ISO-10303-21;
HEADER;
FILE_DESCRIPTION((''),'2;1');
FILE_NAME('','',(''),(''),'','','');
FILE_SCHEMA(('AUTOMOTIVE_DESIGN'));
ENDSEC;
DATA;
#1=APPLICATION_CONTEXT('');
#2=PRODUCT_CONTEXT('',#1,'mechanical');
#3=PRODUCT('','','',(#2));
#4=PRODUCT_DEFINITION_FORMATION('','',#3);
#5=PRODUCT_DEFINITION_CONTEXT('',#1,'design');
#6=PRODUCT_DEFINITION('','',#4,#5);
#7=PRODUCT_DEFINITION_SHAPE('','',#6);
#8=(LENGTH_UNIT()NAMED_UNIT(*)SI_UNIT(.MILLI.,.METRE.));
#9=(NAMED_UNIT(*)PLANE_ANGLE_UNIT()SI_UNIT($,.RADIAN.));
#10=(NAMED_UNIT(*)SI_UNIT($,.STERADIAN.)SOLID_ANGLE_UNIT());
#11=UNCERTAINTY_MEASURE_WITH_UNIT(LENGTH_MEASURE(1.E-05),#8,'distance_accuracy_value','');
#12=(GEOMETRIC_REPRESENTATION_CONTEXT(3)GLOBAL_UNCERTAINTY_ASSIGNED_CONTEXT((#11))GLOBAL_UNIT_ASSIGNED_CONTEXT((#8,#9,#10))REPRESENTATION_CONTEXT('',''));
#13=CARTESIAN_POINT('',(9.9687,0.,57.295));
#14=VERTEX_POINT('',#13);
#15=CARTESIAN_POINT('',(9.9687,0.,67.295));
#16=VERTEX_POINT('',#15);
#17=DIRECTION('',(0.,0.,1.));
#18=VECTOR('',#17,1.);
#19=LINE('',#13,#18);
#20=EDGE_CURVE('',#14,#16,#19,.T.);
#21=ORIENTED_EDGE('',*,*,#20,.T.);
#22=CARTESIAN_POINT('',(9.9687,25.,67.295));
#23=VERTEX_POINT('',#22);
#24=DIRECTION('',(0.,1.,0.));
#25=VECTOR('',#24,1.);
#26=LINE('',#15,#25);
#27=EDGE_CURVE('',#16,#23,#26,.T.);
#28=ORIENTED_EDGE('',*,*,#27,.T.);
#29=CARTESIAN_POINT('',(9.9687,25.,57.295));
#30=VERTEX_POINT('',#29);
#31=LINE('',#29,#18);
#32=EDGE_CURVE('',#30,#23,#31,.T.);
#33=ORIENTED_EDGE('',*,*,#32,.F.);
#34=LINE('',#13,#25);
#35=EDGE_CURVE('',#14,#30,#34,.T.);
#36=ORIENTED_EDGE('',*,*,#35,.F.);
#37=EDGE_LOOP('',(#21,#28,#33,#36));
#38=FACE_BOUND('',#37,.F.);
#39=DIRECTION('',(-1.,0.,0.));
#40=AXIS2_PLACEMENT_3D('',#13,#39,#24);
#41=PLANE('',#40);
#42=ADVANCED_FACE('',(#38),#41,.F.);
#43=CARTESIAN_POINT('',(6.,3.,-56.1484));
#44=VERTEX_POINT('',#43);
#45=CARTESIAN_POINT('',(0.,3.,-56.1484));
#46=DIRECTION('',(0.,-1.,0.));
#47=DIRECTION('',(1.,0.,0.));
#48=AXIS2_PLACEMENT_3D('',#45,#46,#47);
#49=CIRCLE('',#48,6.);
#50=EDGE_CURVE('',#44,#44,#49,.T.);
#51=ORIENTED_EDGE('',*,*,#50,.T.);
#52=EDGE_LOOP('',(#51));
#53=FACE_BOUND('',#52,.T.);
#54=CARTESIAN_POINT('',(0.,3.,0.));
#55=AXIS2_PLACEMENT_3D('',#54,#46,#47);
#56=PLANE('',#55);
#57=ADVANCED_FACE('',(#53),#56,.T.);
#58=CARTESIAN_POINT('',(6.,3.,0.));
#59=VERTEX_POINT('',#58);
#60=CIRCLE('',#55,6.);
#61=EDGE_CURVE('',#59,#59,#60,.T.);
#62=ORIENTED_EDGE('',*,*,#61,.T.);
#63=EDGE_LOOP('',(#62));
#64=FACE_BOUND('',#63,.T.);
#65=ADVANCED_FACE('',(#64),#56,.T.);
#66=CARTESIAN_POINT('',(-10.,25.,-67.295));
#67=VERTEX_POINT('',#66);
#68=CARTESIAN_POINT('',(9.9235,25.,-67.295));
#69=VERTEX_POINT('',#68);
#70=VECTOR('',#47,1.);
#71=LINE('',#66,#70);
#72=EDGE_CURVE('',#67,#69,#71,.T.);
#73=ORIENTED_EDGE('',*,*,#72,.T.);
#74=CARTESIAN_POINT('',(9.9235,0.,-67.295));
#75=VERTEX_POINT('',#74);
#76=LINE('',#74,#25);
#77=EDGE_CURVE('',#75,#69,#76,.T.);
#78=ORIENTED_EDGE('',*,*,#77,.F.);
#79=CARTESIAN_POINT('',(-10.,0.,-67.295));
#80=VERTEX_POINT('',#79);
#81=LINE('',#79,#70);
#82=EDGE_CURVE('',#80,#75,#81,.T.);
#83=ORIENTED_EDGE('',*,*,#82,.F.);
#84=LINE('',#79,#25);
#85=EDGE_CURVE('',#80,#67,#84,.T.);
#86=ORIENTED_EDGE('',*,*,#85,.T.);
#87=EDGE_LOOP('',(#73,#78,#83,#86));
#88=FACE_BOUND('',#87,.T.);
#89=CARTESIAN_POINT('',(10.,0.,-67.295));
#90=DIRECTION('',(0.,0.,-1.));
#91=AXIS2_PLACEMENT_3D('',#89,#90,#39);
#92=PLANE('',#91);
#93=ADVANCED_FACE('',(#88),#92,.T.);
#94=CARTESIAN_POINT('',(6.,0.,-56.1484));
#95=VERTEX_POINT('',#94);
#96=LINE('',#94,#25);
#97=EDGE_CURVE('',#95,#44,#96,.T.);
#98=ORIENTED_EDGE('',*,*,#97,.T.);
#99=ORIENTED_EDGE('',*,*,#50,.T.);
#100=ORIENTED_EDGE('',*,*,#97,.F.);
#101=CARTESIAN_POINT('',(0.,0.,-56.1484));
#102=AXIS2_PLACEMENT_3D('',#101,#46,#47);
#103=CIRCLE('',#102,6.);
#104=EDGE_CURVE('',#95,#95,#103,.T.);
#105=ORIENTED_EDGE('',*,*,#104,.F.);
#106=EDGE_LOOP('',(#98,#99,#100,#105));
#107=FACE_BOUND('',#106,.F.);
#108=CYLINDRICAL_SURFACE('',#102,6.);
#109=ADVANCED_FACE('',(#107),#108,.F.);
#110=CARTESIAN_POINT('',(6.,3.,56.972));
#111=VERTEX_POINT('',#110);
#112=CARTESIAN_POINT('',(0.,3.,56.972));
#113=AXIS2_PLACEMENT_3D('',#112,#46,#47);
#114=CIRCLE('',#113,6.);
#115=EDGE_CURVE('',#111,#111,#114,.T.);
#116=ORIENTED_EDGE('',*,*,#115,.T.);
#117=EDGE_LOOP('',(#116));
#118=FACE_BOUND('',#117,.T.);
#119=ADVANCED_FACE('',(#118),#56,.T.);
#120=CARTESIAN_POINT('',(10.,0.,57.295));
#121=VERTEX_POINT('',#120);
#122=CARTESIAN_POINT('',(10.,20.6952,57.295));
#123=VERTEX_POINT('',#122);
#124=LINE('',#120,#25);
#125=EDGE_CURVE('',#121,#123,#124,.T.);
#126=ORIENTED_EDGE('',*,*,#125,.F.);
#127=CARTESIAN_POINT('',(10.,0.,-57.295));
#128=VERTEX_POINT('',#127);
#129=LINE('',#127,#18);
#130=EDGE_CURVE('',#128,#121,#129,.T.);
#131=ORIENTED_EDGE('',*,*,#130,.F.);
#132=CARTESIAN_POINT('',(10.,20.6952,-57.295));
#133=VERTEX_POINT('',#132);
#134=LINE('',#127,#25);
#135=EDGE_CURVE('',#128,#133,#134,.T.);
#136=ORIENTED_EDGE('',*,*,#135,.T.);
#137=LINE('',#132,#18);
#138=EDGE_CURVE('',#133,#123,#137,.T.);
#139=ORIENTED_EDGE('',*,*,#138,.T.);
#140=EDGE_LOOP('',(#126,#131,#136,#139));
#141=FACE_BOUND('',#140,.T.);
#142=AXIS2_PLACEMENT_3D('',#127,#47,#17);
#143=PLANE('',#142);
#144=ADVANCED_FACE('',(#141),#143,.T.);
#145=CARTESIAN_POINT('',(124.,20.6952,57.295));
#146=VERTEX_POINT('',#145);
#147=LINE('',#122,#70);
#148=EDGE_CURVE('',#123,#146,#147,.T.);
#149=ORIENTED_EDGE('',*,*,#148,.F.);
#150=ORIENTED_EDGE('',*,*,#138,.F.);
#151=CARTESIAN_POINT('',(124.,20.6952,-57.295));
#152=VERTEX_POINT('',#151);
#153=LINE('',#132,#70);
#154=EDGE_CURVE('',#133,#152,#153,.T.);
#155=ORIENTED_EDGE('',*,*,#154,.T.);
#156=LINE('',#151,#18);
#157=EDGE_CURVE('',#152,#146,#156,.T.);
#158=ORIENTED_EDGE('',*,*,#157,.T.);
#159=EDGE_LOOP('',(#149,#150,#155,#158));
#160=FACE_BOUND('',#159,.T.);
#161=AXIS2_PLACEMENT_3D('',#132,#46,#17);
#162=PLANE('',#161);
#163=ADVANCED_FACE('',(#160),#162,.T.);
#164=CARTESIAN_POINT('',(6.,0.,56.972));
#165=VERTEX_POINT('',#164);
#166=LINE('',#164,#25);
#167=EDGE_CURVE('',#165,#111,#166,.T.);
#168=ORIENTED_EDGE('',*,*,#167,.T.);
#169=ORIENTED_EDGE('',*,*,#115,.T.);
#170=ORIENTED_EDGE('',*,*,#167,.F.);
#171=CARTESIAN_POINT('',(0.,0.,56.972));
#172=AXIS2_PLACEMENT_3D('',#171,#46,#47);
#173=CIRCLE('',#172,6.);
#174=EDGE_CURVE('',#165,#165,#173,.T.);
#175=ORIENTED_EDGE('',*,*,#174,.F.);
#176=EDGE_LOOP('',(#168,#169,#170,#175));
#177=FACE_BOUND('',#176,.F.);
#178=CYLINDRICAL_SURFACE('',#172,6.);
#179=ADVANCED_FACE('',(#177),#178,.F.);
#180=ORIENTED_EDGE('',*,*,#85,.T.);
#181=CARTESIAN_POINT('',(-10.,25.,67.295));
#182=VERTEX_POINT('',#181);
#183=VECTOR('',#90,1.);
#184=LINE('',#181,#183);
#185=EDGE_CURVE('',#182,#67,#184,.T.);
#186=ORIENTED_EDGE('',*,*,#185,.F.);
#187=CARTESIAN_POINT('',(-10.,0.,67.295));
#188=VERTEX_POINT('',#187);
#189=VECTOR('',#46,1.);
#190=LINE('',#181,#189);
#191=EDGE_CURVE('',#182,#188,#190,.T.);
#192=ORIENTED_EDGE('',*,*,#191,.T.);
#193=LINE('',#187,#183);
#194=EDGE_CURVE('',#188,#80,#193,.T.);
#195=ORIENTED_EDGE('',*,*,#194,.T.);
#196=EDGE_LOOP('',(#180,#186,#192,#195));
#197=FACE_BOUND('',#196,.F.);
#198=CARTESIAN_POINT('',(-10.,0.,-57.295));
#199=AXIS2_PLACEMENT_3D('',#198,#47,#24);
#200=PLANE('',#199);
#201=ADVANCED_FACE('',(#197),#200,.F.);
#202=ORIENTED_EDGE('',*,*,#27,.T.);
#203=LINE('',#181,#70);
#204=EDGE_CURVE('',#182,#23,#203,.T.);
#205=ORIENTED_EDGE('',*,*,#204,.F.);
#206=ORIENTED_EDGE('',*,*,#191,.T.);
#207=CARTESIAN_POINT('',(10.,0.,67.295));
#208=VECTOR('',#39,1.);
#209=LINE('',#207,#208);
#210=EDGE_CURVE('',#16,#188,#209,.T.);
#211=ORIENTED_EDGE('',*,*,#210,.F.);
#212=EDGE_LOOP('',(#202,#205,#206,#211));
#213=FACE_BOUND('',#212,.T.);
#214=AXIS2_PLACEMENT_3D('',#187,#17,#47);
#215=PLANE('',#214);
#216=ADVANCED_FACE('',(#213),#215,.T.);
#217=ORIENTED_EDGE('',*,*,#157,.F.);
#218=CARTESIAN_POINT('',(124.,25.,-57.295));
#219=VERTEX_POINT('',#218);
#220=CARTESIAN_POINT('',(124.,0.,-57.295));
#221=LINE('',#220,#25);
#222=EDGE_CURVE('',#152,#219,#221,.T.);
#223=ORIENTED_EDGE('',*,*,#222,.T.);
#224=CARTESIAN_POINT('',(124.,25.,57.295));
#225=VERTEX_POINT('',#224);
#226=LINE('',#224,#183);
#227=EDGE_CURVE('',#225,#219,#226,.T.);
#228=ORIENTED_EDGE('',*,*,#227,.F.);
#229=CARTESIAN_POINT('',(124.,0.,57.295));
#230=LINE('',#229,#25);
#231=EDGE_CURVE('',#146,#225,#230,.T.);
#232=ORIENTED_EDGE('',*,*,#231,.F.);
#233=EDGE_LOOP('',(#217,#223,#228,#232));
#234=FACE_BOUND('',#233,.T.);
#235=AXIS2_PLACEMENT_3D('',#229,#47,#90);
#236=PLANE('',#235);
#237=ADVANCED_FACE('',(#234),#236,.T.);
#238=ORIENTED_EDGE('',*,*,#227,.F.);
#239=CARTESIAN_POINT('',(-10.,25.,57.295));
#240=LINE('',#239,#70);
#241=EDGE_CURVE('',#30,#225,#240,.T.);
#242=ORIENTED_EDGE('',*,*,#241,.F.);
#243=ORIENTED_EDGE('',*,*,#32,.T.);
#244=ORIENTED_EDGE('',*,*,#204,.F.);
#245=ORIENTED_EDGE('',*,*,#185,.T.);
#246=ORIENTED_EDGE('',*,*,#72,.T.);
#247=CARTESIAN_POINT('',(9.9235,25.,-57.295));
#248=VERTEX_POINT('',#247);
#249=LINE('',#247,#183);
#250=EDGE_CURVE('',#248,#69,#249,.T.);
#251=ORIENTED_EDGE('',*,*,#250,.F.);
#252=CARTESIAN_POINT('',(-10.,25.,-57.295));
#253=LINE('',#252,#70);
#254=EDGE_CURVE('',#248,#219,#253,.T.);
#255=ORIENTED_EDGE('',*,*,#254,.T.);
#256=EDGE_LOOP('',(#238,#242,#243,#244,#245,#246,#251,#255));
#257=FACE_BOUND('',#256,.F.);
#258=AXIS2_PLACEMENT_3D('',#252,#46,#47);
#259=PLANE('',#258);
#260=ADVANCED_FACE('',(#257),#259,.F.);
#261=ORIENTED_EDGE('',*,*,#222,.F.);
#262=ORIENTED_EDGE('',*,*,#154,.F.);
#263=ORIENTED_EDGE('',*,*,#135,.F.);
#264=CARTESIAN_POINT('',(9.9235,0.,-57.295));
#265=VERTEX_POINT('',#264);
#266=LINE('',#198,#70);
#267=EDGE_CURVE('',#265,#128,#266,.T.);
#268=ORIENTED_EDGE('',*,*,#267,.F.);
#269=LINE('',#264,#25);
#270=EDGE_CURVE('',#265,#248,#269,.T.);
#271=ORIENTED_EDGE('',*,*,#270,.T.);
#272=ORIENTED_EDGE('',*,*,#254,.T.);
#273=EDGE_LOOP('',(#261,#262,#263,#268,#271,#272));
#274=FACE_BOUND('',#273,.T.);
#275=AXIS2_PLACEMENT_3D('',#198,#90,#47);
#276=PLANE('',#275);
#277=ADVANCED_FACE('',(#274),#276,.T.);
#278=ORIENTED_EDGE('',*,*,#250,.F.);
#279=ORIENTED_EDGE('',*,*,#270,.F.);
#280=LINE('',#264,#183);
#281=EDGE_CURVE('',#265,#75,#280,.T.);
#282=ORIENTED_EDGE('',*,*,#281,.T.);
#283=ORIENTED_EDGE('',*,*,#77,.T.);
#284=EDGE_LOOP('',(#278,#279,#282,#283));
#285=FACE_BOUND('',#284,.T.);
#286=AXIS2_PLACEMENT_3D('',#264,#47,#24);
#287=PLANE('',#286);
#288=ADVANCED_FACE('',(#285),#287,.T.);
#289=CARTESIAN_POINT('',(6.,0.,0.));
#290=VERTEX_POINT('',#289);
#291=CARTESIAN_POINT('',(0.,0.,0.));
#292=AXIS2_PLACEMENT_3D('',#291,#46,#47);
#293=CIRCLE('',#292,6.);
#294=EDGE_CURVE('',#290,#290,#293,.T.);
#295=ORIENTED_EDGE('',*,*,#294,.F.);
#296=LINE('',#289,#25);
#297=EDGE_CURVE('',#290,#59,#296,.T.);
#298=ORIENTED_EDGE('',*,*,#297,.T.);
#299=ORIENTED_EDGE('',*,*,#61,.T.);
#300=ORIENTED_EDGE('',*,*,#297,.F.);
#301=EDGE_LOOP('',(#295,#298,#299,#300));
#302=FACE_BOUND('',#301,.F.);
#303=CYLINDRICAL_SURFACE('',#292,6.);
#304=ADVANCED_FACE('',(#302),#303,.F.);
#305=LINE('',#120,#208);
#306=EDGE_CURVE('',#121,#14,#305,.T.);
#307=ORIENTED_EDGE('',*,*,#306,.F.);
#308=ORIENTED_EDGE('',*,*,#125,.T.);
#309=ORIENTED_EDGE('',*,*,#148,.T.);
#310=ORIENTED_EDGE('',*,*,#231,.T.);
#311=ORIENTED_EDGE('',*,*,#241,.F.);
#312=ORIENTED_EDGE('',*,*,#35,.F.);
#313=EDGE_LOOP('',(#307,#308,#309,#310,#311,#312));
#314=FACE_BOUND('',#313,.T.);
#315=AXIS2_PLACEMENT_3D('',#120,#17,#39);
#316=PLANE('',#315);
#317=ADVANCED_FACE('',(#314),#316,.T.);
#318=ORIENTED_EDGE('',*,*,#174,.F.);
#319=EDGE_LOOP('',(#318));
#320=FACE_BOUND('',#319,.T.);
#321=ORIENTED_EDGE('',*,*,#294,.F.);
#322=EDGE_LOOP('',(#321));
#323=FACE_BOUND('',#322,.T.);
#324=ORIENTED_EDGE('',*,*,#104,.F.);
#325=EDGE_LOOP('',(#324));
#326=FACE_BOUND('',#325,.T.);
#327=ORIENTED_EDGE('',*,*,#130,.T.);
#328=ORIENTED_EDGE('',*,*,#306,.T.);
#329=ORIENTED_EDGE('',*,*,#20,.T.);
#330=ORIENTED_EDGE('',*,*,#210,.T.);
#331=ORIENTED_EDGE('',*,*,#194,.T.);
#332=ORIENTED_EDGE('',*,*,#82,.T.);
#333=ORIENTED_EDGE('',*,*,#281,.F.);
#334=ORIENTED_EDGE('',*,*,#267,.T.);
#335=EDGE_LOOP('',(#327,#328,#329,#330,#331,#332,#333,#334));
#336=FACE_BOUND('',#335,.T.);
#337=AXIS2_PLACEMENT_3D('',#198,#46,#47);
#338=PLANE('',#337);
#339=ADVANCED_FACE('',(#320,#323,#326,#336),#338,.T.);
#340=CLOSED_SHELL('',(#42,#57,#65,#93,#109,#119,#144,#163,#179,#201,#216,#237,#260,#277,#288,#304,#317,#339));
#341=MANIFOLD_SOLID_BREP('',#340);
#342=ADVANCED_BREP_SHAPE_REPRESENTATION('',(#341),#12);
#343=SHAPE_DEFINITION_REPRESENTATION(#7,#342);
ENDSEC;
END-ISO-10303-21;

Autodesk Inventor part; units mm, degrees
ref_plane "YZ Plane" through (0, 0, 0) normal (1, 0, 0) x (0, 1, 0)
ref_plane "XZ Plane" through (0, 0, 0) normal (0, 1, 0) x (-1, 0, 0)
ref_plane "XY Plane" through (0, 0, 0) normal (0, 0, 1) x (1, 0, 0)
sketch "Sketch1" plane through (0, 0, 0) normal (0, 1, 0) x (-1, 0, 0)
  line L0 (10, -57.295) -> (-10, -57.295)
  line L1 (-10, -57.295) -> (-10, 57.295)
  line L2 (-10, 57.295) -> (10, 57.295)
  line L3 (10, 57.295) -> (10, -57.295)
  line L4 (10, -57.295) -> (-10, 57.295) construction
  line L5 (-10, -57.295) -> (10, 57.295) construction
  point P0 (0, 0)
  dimension "d0" = 114.59
  dimension "d1" = 20
extrude "Extrusion1" add sketch "Sketch1" along normal blind 25
sketch "Sketch2" plane through (10, 0, 57.295) normal (1, 0, 0) x (0, 0, -1)
  line L0 (0, 0) -> (0, 25) projected
  line L1 (114.59, 0) -> (114.59, 25) projected
  line L2 (0, 25) -> (114.59, 25)
  line L3 (114.59, 25) -> (114.59, 20.6952)
  line L4 (114.59, 20.6952) -> (0, 20.6952)
  line L5 (0, 20.6952) -> (0, 25)
  point P0 (57.295, 0)
extrude "Extrusion2" add sketch "Sketch2" along normal blind 114
sketch "Sketch3" plane through (0, 0, 0) normal (0, -1, 0) x (1, 0, 0)
  circle A0 centre (0, 0) radius 6
  circle A1 centre (0, -56.1484) radius 6
  circle A2 centre (0, 56.972) radius 6
  dimension "d7" = 12
  dimension "d9" = 12
  dimension "d10" = 12
sketch "Sketch4" plane through (-10, 0, 57.295) normal (0, 0, 1) x (1, 0, 0)
  line L0 (20, 0) -> (0, 0) projected
  line L1 (0, 25) -> (134, 25) projected
  line L2 (0, 0) -> (19.9687, 0)
  line L3 (19.9687, 0) -> (19.9687, 25)
  line L4 (19.9687, 25) -> (0, 25)
  line L5 (0, 25) -> (0, 0)
  point P0 (10, 0)
  point P1 (0, 25)
extrude "Extrusion3" add sketch "Sketch4" along normal blind 10
sketch "Sketch5" plane through (10, 0, -57.295) normal (0, 0, -1) x (-1, 0, 0)
  line L0 (20, 0) -> (20, 25) projected
  line L1 (20, 25) -> (-114, 25) projected
  line L2 (20, 0) -> (0.0765, 0)
  line L3 (0.0765, 0) -> (0.0765, 25)
  line L4 (0.0765, 25) -> (20, 25)
  line L5 (20, 25) -> (20, 0)
  point P0 (10, 0)
extrude "Extrusion4" add sketch "Sketch5" along normal blind 10
extrude "Extrusion5" cut sketch "Sketch3" against normal blind 3
properties part number "compartment 1"
